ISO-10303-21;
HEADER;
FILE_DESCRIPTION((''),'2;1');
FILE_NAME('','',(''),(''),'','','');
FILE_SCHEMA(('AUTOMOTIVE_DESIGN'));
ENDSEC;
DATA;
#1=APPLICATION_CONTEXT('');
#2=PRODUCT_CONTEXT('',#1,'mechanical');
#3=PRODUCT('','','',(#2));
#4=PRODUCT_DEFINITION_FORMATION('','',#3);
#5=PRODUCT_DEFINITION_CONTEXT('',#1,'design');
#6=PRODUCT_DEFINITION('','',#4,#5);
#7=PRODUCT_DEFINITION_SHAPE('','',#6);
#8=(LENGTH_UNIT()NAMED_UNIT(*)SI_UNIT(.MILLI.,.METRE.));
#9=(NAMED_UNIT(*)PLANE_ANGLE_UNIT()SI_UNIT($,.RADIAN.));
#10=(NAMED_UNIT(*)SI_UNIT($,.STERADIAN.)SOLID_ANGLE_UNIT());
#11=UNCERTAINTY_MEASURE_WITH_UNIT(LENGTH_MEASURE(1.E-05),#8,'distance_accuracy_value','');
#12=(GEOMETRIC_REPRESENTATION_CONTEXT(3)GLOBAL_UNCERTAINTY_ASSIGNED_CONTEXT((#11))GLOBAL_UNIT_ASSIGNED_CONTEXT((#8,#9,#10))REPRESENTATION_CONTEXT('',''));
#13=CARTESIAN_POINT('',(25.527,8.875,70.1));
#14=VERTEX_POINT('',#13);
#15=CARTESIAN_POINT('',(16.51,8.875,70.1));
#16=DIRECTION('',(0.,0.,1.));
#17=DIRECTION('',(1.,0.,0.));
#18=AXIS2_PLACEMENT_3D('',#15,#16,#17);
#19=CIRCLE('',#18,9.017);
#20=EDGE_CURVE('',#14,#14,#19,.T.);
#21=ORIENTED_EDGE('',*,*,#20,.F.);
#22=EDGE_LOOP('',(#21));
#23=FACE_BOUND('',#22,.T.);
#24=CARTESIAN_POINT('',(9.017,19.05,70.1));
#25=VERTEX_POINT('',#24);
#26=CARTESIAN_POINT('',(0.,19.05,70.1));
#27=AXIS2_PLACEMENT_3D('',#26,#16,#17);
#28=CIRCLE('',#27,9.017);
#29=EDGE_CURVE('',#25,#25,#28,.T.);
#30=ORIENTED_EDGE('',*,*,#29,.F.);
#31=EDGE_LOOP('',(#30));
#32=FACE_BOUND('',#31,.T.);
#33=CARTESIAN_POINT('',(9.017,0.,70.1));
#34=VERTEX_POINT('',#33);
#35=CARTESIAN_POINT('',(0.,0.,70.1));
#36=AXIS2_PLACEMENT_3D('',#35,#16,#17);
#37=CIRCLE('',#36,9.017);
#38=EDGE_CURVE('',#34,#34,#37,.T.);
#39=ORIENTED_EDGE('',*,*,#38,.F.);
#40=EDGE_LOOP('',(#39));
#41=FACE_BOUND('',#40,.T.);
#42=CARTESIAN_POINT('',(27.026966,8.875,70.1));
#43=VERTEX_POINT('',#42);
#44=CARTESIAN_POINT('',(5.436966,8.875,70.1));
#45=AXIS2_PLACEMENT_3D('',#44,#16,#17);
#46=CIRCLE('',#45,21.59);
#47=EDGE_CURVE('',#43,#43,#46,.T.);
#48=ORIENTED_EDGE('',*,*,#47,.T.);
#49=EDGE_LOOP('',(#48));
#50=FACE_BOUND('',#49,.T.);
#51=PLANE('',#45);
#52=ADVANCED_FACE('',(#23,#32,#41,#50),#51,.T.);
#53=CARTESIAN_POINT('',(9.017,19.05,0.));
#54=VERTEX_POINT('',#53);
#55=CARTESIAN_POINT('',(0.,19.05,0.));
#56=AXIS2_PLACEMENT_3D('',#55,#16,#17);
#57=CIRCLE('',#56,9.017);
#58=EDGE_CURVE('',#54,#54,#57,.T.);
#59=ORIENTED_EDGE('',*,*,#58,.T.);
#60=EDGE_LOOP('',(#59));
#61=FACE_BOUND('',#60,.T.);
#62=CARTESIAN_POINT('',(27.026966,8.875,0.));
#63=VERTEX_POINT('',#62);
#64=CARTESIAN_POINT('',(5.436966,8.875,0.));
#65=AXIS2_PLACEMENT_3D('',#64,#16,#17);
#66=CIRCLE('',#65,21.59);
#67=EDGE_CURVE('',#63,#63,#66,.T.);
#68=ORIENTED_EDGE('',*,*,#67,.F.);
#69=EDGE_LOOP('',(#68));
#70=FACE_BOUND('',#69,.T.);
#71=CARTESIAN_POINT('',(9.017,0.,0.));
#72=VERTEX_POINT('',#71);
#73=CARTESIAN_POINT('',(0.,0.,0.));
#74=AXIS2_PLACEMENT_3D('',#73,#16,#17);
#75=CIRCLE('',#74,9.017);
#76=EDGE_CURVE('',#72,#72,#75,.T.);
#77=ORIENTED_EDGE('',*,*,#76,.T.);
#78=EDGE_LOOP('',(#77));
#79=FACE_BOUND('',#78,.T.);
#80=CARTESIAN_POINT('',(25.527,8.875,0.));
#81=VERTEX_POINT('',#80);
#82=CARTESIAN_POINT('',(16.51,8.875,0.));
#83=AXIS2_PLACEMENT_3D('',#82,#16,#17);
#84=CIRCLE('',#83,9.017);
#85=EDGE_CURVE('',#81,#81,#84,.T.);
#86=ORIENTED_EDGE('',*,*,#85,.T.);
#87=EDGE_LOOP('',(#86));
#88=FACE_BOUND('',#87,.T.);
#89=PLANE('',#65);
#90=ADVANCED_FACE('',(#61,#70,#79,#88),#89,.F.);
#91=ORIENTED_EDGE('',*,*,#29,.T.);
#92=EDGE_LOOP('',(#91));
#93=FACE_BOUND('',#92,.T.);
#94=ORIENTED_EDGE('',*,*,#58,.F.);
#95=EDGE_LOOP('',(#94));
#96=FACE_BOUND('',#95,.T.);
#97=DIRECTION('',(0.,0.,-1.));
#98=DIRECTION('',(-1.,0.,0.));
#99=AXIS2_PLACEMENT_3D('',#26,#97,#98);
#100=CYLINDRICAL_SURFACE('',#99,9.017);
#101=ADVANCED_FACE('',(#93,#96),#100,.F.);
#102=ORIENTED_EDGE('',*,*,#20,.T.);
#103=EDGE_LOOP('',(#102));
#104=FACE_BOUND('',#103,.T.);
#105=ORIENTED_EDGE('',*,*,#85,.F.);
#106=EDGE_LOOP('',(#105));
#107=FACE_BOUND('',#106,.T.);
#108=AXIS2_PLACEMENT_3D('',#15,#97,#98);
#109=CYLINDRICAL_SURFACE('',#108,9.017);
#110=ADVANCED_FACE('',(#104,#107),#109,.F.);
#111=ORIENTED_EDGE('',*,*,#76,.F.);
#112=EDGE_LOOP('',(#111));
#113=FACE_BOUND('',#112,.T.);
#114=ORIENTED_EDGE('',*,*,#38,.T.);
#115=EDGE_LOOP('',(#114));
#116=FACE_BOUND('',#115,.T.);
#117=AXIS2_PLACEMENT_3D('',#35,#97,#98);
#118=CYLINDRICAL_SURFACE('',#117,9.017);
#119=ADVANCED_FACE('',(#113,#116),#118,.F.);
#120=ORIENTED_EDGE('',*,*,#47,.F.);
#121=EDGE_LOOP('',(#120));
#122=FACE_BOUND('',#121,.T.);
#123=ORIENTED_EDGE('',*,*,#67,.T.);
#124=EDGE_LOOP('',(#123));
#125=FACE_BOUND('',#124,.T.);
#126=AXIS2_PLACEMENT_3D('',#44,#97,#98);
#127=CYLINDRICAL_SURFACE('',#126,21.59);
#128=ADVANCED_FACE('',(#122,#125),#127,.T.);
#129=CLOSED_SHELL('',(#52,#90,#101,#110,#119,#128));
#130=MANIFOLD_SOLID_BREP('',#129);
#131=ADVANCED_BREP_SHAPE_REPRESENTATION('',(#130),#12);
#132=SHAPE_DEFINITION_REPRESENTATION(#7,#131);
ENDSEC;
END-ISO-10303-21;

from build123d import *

# Parameters (mm, degrees)
SKETCH1_R           = 21.59
SKETCH1_R_2         = 9.017
BOSS_EXTRUDE1_DEPTH = 70.1


with BuildPart() as part:
    # Sketch1 → Boss-Extrude1 (new body)
    with BuildSketch(Plane.XY):
        with Locations((5.436965925, 8.875)):
            Circle(SKETCH1_R)
        Circle(SKETCH1_R_2, mode=Mode.SUBTRACT)
        with Locations((0, 19.05)):
            Circle(SKETCH1_R_2, mode=Mode.SUBTRACT)
        with Locations((16.51, 8.875)):
            Circle(SKETCH1_R_2, mode=Mode.SUBTRACT)
    extrude(amount=BOSS_EXTRUDE1_DEPTH)


solid = part.part
